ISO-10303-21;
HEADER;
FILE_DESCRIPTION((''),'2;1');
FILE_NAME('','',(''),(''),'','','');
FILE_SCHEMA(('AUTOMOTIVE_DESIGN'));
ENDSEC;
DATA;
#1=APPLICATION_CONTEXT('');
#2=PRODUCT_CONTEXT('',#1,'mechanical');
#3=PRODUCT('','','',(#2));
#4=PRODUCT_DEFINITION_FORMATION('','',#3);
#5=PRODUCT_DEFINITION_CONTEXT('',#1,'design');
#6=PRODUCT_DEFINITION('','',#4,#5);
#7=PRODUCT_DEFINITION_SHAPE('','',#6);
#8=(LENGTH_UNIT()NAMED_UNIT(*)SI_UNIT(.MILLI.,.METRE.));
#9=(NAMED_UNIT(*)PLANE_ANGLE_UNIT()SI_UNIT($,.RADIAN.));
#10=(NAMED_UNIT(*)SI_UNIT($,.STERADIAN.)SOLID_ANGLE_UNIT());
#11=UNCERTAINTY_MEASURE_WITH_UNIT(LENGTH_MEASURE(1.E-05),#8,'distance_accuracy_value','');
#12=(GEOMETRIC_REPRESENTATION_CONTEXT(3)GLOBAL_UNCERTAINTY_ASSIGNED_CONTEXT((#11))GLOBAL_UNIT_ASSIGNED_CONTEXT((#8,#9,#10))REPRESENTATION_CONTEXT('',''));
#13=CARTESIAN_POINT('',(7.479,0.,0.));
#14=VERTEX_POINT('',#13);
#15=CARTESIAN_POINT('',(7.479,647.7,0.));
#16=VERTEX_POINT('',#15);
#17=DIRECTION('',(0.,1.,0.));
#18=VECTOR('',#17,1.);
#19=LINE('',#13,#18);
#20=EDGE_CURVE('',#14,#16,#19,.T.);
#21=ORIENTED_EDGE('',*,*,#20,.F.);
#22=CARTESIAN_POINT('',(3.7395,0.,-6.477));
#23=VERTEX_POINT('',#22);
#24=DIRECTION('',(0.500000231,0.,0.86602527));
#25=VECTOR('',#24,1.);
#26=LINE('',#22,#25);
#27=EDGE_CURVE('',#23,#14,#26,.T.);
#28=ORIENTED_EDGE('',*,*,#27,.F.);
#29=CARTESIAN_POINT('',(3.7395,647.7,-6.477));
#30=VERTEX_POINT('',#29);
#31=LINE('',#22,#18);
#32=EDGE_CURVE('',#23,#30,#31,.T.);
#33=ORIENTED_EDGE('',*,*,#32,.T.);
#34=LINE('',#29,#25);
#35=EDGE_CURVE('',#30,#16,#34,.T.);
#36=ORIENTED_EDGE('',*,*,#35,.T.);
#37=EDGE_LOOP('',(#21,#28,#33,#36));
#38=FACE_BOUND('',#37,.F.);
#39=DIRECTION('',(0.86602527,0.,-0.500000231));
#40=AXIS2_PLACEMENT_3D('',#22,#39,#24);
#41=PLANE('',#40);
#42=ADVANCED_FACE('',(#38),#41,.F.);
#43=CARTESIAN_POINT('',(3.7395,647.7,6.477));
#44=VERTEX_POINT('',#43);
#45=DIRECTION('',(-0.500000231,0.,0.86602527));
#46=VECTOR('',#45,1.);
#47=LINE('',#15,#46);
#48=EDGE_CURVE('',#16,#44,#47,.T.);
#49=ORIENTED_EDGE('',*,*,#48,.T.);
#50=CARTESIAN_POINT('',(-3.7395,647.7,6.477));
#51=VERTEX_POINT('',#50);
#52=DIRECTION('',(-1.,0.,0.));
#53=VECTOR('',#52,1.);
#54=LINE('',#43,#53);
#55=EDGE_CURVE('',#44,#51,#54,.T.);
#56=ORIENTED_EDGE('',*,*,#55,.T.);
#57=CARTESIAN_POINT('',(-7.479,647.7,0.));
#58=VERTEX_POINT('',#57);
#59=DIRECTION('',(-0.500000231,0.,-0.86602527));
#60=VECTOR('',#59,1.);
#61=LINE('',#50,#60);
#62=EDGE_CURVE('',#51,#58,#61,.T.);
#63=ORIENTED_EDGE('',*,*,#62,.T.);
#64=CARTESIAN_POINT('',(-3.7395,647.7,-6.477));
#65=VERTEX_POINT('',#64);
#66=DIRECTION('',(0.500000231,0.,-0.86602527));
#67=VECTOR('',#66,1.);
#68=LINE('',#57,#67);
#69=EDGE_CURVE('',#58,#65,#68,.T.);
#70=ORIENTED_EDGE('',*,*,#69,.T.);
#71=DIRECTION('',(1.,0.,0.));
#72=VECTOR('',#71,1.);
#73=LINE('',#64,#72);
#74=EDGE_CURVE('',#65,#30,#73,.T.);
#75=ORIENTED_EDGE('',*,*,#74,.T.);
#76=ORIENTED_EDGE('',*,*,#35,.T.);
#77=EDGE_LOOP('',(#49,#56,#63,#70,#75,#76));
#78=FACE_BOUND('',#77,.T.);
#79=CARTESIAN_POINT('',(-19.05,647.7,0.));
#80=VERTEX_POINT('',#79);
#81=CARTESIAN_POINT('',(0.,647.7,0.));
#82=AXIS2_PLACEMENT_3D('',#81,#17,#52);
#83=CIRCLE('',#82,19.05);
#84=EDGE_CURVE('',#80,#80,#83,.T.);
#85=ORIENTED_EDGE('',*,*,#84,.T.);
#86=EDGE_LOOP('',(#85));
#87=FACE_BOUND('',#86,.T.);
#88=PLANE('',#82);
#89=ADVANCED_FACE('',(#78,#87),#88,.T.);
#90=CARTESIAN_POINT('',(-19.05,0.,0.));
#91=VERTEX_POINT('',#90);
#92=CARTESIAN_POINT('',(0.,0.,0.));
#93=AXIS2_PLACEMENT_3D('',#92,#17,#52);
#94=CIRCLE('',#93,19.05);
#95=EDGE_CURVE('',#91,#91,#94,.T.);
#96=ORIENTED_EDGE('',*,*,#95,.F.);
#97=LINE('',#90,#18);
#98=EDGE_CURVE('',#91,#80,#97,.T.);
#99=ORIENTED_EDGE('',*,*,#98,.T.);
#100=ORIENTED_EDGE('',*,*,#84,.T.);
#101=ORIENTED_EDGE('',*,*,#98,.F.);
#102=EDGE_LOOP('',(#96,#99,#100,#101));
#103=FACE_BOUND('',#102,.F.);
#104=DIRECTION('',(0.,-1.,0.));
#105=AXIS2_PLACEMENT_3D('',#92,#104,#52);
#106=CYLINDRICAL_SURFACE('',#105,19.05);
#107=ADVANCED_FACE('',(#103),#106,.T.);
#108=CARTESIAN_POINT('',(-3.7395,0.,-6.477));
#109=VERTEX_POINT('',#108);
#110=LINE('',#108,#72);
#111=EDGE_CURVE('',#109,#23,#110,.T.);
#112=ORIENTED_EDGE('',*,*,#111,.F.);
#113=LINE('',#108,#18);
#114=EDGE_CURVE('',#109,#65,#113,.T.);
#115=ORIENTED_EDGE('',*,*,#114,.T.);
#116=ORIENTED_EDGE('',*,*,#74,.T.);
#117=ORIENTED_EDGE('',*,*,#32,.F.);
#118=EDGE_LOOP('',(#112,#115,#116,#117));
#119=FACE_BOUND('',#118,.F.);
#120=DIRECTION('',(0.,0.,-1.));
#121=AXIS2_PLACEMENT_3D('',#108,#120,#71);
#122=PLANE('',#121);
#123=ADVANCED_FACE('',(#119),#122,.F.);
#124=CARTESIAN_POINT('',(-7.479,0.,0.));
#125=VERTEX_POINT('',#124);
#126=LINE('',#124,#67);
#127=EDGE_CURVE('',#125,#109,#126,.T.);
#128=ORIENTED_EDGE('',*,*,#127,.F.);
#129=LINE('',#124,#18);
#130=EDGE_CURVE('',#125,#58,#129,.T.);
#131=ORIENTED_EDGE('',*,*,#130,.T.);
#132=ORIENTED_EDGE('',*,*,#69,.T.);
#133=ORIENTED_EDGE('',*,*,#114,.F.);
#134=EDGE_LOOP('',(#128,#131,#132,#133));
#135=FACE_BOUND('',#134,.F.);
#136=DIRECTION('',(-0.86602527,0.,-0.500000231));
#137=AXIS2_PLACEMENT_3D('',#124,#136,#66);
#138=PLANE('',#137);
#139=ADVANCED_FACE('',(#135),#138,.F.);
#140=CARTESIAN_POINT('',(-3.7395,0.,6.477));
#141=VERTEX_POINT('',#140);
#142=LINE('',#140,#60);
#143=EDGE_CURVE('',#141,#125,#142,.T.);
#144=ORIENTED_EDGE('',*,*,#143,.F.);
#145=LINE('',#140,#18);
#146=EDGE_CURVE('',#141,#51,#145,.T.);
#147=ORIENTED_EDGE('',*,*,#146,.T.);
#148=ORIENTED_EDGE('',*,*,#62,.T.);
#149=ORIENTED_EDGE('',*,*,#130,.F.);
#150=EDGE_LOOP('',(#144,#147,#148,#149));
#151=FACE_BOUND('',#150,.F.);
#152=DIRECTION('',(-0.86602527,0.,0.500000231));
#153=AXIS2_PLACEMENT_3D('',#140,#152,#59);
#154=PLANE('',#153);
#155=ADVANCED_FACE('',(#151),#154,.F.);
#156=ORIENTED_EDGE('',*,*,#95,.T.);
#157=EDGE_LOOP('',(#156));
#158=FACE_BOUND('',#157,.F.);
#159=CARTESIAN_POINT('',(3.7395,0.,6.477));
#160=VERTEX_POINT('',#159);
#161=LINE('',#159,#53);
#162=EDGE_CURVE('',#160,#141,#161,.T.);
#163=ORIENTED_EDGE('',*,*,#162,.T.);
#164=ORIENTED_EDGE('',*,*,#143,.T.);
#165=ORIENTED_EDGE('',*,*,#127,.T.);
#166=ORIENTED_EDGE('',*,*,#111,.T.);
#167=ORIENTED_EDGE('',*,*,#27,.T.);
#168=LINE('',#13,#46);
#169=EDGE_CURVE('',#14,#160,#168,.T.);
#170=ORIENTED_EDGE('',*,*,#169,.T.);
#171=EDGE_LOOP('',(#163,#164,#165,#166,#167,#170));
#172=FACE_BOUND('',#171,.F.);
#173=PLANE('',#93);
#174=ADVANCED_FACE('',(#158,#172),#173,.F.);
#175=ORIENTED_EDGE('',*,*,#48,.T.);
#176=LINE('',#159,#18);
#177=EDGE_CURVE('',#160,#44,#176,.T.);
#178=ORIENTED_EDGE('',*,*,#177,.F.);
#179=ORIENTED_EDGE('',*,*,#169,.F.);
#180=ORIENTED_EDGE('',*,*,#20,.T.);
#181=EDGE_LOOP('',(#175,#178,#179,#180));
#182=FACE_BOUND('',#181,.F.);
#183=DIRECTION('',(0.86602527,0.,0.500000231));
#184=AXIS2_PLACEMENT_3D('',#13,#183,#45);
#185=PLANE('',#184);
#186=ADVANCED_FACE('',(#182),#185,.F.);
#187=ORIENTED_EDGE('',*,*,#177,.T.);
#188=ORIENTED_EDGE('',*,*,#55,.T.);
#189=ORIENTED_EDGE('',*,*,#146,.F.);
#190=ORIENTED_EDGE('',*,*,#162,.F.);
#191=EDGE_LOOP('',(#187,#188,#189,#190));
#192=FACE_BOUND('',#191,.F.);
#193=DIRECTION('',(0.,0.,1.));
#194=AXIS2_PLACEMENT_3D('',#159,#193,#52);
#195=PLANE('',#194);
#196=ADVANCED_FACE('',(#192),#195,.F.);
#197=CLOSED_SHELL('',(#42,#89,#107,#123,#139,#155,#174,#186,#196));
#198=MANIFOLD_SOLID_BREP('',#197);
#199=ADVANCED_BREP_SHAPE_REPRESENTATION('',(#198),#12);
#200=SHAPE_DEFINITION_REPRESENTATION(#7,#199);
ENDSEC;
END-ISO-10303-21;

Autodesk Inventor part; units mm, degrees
ref_plane "YZ Plane" through (0, 0, 0) normal (1, 0, 0) x (0, 1, 0)
ref_plane "XZ Plane" through (0, 0, 0) normal (0, 1, 0) x (-1, 0, 0)
ref_plane "XY Plane" through (0, 0, 0) normal (0, 0, 1) x (1, 0, 0)
sketch "Sketch1" plane through (0, 0, 0) normal (0, 1, 0) x (-1, 0, 0)
  circle A0 centre (0, 0) radius 19.05
  line L0 (-3.7395, -6.477) -> (-7.479, 0)
  line L1 (-7.479, 0) -> (-3.7395, 6.477)
  line L2 (-3.7395, 6.477) -> (3.7395, 6.477)
  line L3 (3.7395, 6.477) -> (7.479, 0)
  line L4 (7.479, 0) -> (3.7395, -6.477)
  line L5 (3.7395, -6.477) -> (-3.7395, -6.477)
  dimension "d0" = 38.1
  dimension "d1" = 12.954
extrude "Extrusion1" add sketch "Sketch1" along normal blind 647.7
properties part number "3DPRINT,1.5inOD,DEAD-ROLLER"
